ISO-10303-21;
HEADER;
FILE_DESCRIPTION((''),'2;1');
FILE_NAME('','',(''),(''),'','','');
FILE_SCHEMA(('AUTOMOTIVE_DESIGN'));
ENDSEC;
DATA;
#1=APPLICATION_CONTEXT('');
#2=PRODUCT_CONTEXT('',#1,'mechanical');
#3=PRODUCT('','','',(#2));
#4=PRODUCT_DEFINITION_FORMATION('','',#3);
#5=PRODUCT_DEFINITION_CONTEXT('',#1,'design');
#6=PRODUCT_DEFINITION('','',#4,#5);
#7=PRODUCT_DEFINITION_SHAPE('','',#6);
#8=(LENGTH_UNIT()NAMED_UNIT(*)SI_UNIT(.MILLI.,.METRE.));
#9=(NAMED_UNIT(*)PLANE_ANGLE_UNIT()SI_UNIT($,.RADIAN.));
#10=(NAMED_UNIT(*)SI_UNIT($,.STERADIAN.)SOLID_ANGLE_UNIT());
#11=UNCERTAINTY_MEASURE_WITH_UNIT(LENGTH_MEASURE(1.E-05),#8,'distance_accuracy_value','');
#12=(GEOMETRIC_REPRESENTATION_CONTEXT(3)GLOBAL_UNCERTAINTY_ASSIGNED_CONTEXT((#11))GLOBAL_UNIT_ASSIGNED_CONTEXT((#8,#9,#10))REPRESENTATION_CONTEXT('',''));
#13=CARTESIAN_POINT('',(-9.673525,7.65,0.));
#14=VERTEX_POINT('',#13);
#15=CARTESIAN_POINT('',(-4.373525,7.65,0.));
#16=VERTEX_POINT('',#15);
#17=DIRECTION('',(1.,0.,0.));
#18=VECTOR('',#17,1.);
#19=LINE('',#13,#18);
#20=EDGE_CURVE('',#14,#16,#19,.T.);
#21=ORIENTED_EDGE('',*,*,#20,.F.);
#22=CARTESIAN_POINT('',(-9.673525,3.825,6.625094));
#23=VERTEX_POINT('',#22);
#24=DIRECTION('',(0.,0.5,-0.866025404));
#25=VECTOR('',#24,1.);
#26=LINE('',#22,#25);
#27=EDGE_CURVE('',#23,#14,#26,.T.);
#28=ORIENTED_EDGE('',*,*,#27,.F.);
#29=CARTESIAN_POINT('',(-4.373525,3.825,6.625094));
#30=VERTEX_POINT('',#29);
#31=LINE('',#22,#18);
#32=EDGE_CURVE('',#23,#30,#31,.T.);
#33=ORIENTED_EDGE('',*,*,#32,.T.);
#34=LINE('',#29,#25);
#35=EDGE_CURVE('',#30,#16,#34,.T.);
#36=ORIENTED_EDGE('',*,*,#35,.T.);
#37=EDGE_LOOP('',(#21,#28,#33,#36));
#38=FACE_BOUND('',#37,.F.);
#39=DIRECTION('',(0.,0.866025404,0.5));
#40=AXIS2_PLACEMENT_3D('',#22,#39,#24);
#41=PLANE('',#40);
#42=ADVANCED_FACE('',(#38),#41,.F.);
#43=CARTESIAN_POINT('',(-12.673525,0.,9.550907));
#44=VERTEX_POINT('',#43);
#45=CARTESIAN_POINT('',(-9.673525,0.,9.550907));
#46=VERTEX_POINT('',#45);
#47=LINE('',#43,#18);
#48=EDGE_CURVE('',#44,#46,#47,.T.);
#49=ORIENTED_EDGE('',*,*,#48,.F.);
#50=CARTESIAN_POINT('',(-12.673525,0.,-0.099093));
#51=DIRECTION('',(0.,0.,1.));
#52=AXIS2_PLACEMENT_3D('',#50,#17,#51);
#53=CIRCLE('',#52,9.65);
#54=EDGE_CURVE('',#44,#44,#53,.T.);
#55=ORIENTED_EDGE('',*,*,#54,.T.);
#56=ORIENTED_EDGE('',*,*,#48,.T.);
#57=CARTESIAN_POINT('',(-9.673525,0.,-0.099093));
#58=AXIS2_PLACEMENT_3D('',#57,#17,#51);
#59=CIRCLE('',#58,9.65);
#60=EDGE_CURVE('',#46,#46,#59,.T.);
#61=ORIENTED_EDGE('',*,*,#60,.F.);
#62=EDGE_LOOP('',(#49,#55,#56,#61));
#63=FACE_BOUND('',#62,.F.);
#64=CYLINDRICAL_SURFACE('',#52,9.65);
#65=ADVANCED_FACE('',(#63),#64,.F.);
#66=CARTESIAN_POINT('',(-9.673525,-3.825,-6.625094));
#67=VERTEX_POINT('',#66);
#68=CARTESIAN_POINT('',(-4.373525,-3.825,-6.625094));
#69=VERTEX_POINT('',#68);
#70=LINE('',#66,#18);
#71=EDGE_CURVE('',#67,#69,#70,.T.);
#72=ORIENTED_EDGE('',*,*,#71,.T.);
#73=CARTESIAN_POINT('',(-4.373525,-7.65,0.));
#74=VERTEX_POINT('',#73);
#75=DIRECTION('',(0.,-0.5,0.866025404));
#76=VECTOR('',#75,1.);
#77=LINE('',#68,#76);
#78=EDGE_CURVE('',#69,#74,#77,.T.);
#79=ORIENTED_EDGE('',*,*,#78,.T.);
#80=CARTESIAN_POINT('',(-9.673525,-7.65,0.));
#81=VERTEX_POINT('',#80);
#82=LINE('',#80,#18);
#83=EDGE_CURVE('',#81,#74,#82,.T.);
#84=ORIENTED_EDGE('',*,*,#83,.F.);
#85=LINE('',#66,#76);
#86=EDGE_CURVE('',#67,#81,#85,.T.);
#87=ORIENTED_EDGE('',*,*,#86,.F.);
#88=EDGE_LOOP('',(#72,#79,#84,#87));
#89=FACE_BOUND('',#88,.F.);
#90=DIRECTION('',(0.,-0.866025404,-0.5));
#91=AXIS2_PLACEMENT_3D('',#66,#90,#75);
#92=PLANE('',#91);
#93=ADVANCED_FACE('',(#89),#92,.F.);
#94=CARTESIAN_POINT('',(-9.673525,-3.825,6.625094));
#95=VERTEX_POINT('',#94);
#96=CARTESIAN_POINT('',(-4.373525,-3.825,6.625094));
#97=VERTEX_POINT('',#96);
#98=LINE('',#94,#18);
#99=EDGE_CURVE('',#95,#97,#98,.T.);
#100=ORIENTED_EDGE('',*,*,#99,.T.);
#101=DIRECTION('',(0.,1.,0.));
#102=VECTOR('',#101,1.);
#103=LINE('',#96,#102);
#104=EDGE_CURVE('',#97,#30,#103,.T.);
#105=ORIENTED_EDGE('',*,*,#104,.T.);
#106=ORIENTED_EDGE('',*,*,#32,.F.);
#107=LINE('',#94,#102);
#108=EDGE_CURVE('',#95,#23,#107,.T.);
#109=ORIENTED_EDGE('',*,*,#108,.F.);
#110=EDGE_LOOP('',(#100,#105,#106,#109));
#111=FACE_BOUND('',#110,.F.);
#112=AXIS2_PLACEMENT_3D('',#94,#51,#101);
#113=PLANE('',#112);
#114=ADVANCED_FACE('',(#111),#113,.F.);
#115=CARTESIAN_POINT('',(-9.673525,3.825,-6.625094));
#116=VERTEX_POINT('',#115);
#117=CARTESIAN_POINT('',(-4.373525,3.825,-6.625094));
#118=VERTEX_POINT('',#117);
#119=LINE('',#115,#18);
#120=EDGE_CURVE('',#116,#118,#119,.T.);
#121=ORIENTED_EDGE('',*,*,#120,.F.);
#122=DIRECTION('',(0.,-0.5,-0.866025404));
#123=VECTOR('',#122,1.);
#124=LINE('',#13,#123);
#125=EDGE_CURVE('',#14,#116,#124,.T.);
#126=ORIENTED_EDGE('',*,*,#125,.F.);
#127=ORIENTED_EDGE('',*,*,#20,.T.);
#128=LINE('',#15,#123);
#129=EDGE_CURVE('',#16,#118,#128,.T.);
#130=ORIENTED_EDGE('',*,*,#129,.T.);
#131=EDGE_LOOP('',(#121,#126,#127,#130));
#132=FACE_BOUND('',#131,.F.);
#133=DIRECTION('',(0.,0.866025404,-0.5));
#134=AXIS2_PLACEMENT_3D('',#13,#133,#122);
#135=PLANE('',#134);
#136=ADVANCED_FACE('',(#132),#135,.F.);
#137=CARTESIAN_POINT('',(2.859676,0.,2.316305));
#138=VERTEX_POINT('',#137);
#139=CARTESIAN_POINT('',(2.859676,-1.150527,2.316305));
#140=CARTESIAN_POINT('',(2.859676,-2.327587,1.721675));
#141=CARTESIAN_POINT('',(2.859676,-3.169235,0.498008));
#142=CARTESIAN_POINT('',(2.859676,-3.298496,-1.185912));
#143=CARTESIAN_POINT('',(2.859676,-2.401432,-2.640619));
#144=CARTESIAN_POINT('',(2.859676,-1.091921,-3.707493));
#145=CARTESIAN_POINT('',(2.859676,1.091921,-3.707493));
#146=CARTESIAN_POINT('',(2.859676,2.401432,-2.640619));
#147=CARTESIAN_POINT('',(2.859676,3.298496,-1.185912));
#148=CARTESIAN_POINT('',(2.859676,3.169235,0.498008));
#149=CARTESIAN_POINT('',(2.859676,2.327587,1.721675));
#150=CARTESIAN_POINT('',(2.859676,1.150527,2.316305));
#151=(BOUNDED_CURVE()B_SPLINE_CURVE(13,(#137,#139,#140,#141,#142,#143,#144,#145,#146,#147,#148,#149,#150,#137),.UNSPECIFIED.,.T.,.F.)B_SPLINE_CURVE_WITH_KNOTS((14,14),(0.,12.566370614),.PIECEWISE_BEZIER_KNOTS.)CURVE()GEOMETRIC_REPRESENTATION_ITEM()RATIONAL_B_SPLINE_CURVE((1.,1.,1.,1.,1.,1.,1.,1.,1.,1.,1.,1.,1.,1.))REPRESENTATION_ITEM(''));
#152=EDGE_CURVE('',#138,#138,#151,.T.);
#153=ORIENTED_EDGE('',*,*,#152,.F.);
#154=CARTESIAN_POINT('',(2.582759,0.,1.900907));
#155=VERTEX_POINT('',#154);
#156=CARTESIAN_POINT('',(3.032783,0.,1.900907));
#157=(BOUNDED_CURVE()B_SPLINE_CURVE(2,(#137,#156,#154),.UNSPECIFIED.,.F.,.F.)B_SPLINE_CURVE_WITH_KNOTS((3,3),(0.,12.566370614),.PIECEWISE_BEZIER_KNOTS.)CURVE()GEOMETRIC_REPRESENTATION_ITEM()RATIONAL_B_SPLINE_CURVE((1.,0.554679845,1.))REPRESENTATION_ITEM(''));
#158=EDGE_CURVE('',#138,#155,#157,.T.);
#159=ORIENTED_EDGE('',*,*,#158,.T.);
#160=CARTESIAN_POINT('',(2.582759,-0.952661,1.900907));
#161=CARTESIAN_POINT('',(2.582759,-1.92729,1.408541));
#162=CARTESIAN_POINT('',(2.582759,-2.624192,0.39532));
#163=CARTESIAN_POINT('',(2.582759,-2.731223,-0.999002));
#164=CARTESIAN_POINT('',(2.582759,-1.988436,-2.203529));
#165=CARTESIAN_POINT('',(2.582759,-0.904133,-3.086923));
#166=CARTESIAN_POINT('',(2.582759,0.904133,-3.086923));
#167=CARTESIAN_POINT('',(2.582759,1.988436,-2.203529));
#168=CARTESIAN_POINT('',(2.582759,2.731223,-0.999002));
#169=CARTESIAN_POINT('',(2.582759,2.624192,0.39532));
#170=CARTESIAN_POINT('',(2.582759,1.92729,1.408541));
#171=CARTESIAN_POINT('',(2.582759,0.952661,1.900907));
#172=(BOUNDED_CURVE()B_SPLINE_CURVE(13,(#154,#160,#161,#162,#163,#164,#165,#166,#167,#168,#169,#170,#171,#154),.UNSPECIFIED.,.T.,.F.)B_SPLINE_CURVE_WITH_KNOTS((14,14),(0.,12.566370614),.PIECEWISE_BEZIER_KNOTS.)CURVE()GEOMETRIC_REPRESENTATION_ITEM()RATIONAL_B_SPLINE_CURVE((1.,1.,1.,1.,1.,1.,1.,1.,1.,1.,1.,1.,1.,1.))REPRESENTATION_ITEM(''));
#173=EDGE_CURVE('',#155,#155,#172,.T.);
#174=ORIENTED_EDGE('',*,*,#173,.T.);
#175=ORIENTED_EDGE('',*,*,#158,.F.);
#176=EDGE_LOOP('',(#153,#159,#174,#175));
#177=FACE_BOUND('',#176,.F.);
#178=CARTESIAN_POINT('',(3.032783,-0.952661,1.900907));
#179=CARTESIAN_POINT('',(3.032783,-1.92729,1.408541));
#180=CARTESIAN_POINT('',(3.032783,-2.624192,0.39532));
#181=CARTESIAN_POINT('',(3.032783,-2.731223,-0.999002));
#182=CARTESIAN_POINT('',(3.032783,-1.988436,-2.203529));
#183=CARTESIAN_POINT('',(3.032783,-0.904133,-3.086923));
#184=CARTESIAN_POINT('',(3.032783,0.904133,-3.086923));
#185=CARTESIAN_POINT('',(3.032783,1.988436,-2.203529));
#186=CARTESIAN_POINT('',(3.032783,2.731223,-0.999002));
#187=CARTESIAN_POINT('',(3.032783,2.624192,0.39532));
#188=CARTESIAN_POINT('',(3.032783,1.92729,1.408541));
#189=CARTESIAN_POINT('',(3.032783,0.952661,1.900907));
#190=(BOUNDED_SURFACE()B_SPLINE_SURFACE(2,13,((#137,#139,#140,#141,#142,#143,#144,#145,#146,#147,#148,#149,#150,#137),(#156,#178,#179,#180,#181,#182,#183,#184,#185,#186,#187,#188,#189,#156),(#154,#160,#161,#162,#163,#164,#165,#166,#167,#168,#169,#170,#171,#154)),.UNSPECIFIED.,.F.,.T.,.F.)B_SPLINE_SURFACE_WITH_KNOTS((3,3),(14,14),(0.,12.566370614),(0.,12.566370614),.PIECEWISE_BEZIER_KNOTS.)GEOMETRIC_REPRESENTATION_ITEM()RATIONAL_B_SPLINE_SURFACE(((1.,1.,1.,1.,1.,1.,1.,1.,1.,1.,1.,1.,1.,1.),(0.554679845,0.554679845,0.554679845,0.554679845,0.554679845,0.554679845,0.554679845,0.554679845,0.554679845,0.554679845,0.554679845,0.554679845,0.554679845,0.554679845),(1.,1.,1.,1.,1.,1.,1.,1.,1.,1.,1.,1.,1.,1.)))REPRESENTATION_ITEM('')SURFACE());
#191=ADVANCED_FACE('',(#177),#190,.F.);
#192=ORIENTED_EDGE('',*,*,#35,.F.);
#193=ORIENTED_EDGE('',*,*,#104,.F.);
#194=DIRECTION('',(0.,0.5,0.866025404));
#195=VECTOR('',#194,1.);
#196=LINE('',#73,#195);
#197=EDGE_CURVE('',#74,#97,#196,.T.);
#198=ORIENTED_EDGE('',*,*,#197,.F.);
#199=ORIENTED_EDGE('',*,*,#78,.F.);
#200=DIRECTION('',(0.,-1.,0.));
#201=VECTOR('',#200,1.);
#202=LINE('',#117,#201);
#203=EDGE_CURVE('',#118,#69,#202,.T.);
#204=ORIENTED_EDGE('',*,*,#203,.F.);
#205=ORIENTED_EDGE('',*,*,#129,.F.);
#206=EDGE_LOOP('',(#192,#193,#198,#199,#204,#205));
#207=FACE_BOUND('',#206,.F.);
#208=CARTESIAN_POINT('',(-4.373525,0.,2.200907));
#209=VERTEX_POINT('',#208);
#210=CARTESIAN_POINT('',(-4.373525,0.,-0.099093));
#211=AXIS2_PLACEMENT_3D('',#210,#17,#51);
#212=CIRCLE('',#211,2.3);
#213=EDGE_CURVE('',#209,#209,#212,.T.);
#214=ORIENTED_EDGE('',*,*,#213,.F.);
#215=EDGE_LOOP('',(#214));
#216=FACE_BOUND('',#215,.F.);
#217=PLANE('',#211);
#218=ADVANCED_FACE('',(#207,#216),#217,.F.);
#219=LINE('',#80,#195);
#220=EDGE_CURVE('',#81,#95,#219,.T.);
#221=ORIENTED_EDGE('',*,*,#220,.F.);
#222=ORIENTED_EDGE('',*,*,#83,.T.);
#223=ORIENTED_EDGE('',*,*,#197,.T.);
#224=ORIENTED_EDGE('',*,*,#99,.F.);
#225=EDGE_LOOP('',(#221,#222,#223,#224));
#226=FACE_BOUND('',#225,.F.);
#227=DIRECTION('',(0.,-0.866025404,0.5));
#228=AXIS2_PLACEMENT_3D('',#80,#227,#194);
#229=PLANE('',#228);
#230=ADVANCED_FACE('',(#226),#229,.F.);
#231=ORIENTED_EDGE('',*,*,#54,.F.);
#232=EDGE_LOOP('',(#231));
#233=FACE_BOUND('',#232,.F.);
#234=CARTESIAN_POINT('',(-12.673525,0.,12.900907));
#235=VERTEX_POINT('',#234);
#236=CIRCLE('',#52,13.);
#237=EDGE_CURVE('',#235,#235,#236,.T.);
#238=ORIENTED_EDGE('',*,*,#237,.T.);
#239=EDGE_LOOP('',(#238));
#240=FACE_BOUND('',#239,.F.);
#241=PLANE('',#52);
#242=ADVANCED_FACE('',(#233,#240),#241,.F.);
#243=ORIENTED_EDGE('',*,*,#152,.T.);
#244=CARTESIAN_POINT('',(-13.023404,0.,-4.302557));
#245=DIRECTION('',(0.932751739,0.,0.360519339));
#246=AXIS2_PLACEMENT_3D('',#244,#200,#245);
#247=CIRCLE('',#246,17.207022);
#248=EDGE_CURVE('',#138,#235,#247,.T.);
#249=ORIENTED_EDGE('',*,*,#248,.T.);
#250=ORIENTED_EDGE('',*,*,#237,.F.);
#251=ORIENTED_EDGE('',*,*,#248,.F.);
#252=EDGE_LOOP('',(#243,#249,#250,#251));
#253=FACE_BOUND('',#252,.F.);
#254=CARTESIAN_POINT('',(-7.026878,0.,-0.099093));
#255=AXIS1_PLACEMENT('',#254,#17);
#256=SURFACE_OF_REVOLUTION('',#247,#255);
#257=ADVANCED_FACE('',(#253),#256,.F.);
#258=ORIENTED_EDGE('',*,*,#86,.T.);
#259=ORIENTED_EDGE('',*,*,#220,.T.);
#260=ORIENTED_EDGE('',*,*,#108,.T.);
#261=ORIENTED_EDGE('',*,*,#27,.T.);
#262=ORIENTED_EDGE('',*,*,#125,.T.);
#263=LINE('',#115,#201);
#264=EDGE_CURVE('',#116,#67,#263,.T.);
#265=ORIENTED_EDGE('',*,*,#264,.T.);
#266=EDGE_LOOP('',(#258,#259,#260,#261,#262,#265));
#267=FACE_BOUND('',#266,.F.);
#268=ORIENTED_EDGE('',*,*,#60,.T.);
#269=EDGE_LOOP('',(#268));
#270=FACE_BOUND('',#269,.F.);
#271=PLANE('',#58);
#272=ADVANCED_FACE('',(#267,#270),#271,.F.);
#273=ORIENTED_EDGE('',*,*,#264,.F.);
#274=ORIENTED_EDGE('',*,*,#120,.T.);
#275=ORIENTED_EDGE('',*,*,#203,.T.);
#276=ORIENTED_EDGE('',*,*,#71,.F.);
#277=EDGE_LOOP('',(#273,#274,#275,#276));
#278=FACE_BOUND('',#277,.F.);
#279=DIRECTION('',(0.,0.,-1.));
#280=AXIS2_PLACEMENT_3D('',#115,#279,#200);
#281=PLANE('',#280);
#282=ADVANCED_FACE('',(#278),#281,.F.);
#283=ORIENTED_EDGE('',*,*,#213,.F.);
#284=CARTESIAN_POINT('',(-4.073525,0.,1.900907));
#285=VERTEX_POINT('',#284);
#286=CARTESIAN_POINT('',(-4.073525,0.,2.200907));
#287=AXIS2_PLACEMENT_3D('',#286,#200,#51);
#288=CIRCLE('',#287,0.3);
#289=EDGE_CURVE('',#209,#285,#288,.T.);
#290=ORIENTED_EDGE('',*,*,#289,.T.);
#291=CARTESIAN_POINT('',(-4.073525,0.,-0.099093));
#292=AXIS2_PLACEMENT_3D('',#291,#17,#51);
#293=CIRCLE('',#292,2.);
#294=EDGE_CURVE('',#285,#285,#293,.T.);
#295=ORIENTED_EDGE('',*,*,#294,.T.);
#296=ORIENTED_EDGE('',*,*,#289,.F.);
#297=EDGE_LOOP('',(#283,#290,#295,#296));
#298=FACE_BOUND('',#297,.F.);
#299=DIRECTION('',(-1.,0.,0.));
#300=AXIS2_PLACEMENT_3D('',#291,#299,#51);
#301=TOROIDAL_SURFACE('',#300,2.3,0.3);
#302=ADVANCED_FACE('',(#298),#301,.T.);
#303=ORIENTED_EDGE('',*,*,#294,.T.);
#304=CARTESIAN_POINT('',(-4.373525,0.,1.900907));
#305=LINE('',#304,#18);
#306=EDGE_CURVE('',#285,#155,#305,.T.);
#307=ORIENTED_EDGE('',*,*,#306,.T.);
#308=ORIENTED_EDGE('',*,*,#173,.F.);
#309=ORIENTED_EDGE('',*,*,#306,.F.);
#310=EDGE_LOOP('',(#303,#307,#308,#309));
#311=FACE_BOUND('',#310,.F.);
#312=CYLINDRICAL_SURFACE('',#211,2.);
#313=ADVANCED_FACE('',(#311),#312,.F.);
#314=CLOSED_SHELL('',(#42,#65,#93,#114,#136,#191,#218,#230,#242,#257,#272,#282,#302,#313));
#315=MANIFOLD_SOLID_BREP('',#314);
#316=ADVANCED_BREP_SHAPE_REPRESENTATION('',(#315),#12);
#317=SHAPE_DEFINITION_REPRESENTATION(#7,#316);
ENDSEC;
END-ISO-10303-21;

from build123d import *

# Parameters (mm, degrees)
F2_R     = 0.3
F3_R     = 3.65
F4_DEPTH = 5.3


with BuildPart() as f1:
    # F0 (on Front) → F1 (revolve)
    with BuildSketch(Plane.XZ):
        with BuildLine():
            ThreePointArc((3.0264748034, 1.9009072963), (-3.1498022821, 9.7897663652), (-12.6735251966, 12.9009072963))
            Line((-12.6735251966, 12.9009072963), (-12.6735251966, 9.5509072963))
            Line((-12.6735251966, 9.5509072963), (-9.6735251966, 9.5509072963))
            Line((-9.6735251966, 9.5509072963), (-9.6735251966, 3.5509072963))
            Line((-9.6735251966, 3.5509072963), (-4.3735251966, 3.5509072963))
            Line((-4.3735251966, 3.5509072963), (-4.3735251966, 1.9009072963))
            Line((-4.3735251966, 1.9009072963), (3.0264748034, 1.9009072963))
        make_face()
    revolve(axis=Axis((-7.0268781856, 0, -0.0990927037), (1, 0, 0)))

    # F2
    f2_edges = [f1.edges().sort_by_distance(p)[0] for p in [
        (-4.373525, 0, -2.099093),
        (3.026475, 0, -2.099093),
    ]]
    fillet(f2_edges, radius=F2_R)

    # F3 (on face) → F4 (cut)
    with BuildSketch(Plane(origin=(-9.6735251966, 0, 0), x_dir=(0, -1, 0), z_dir=(-1, 0, 0))):
        Polygon((3.825, -6.625094339), (7.65, 0), (3.825, 6.625094339), (-3.825, 6.625094339), (-7.65, 0), (-3.825, -6.625094339), align=None)
        with Locations((0, -0.0990927037)):
            Circle(F3_R, mode=Mode.SUBTRACT)
    extrude(amount=-F4_DEPTH, mode=Mode.SUBTRACT)


solid = f1.part
